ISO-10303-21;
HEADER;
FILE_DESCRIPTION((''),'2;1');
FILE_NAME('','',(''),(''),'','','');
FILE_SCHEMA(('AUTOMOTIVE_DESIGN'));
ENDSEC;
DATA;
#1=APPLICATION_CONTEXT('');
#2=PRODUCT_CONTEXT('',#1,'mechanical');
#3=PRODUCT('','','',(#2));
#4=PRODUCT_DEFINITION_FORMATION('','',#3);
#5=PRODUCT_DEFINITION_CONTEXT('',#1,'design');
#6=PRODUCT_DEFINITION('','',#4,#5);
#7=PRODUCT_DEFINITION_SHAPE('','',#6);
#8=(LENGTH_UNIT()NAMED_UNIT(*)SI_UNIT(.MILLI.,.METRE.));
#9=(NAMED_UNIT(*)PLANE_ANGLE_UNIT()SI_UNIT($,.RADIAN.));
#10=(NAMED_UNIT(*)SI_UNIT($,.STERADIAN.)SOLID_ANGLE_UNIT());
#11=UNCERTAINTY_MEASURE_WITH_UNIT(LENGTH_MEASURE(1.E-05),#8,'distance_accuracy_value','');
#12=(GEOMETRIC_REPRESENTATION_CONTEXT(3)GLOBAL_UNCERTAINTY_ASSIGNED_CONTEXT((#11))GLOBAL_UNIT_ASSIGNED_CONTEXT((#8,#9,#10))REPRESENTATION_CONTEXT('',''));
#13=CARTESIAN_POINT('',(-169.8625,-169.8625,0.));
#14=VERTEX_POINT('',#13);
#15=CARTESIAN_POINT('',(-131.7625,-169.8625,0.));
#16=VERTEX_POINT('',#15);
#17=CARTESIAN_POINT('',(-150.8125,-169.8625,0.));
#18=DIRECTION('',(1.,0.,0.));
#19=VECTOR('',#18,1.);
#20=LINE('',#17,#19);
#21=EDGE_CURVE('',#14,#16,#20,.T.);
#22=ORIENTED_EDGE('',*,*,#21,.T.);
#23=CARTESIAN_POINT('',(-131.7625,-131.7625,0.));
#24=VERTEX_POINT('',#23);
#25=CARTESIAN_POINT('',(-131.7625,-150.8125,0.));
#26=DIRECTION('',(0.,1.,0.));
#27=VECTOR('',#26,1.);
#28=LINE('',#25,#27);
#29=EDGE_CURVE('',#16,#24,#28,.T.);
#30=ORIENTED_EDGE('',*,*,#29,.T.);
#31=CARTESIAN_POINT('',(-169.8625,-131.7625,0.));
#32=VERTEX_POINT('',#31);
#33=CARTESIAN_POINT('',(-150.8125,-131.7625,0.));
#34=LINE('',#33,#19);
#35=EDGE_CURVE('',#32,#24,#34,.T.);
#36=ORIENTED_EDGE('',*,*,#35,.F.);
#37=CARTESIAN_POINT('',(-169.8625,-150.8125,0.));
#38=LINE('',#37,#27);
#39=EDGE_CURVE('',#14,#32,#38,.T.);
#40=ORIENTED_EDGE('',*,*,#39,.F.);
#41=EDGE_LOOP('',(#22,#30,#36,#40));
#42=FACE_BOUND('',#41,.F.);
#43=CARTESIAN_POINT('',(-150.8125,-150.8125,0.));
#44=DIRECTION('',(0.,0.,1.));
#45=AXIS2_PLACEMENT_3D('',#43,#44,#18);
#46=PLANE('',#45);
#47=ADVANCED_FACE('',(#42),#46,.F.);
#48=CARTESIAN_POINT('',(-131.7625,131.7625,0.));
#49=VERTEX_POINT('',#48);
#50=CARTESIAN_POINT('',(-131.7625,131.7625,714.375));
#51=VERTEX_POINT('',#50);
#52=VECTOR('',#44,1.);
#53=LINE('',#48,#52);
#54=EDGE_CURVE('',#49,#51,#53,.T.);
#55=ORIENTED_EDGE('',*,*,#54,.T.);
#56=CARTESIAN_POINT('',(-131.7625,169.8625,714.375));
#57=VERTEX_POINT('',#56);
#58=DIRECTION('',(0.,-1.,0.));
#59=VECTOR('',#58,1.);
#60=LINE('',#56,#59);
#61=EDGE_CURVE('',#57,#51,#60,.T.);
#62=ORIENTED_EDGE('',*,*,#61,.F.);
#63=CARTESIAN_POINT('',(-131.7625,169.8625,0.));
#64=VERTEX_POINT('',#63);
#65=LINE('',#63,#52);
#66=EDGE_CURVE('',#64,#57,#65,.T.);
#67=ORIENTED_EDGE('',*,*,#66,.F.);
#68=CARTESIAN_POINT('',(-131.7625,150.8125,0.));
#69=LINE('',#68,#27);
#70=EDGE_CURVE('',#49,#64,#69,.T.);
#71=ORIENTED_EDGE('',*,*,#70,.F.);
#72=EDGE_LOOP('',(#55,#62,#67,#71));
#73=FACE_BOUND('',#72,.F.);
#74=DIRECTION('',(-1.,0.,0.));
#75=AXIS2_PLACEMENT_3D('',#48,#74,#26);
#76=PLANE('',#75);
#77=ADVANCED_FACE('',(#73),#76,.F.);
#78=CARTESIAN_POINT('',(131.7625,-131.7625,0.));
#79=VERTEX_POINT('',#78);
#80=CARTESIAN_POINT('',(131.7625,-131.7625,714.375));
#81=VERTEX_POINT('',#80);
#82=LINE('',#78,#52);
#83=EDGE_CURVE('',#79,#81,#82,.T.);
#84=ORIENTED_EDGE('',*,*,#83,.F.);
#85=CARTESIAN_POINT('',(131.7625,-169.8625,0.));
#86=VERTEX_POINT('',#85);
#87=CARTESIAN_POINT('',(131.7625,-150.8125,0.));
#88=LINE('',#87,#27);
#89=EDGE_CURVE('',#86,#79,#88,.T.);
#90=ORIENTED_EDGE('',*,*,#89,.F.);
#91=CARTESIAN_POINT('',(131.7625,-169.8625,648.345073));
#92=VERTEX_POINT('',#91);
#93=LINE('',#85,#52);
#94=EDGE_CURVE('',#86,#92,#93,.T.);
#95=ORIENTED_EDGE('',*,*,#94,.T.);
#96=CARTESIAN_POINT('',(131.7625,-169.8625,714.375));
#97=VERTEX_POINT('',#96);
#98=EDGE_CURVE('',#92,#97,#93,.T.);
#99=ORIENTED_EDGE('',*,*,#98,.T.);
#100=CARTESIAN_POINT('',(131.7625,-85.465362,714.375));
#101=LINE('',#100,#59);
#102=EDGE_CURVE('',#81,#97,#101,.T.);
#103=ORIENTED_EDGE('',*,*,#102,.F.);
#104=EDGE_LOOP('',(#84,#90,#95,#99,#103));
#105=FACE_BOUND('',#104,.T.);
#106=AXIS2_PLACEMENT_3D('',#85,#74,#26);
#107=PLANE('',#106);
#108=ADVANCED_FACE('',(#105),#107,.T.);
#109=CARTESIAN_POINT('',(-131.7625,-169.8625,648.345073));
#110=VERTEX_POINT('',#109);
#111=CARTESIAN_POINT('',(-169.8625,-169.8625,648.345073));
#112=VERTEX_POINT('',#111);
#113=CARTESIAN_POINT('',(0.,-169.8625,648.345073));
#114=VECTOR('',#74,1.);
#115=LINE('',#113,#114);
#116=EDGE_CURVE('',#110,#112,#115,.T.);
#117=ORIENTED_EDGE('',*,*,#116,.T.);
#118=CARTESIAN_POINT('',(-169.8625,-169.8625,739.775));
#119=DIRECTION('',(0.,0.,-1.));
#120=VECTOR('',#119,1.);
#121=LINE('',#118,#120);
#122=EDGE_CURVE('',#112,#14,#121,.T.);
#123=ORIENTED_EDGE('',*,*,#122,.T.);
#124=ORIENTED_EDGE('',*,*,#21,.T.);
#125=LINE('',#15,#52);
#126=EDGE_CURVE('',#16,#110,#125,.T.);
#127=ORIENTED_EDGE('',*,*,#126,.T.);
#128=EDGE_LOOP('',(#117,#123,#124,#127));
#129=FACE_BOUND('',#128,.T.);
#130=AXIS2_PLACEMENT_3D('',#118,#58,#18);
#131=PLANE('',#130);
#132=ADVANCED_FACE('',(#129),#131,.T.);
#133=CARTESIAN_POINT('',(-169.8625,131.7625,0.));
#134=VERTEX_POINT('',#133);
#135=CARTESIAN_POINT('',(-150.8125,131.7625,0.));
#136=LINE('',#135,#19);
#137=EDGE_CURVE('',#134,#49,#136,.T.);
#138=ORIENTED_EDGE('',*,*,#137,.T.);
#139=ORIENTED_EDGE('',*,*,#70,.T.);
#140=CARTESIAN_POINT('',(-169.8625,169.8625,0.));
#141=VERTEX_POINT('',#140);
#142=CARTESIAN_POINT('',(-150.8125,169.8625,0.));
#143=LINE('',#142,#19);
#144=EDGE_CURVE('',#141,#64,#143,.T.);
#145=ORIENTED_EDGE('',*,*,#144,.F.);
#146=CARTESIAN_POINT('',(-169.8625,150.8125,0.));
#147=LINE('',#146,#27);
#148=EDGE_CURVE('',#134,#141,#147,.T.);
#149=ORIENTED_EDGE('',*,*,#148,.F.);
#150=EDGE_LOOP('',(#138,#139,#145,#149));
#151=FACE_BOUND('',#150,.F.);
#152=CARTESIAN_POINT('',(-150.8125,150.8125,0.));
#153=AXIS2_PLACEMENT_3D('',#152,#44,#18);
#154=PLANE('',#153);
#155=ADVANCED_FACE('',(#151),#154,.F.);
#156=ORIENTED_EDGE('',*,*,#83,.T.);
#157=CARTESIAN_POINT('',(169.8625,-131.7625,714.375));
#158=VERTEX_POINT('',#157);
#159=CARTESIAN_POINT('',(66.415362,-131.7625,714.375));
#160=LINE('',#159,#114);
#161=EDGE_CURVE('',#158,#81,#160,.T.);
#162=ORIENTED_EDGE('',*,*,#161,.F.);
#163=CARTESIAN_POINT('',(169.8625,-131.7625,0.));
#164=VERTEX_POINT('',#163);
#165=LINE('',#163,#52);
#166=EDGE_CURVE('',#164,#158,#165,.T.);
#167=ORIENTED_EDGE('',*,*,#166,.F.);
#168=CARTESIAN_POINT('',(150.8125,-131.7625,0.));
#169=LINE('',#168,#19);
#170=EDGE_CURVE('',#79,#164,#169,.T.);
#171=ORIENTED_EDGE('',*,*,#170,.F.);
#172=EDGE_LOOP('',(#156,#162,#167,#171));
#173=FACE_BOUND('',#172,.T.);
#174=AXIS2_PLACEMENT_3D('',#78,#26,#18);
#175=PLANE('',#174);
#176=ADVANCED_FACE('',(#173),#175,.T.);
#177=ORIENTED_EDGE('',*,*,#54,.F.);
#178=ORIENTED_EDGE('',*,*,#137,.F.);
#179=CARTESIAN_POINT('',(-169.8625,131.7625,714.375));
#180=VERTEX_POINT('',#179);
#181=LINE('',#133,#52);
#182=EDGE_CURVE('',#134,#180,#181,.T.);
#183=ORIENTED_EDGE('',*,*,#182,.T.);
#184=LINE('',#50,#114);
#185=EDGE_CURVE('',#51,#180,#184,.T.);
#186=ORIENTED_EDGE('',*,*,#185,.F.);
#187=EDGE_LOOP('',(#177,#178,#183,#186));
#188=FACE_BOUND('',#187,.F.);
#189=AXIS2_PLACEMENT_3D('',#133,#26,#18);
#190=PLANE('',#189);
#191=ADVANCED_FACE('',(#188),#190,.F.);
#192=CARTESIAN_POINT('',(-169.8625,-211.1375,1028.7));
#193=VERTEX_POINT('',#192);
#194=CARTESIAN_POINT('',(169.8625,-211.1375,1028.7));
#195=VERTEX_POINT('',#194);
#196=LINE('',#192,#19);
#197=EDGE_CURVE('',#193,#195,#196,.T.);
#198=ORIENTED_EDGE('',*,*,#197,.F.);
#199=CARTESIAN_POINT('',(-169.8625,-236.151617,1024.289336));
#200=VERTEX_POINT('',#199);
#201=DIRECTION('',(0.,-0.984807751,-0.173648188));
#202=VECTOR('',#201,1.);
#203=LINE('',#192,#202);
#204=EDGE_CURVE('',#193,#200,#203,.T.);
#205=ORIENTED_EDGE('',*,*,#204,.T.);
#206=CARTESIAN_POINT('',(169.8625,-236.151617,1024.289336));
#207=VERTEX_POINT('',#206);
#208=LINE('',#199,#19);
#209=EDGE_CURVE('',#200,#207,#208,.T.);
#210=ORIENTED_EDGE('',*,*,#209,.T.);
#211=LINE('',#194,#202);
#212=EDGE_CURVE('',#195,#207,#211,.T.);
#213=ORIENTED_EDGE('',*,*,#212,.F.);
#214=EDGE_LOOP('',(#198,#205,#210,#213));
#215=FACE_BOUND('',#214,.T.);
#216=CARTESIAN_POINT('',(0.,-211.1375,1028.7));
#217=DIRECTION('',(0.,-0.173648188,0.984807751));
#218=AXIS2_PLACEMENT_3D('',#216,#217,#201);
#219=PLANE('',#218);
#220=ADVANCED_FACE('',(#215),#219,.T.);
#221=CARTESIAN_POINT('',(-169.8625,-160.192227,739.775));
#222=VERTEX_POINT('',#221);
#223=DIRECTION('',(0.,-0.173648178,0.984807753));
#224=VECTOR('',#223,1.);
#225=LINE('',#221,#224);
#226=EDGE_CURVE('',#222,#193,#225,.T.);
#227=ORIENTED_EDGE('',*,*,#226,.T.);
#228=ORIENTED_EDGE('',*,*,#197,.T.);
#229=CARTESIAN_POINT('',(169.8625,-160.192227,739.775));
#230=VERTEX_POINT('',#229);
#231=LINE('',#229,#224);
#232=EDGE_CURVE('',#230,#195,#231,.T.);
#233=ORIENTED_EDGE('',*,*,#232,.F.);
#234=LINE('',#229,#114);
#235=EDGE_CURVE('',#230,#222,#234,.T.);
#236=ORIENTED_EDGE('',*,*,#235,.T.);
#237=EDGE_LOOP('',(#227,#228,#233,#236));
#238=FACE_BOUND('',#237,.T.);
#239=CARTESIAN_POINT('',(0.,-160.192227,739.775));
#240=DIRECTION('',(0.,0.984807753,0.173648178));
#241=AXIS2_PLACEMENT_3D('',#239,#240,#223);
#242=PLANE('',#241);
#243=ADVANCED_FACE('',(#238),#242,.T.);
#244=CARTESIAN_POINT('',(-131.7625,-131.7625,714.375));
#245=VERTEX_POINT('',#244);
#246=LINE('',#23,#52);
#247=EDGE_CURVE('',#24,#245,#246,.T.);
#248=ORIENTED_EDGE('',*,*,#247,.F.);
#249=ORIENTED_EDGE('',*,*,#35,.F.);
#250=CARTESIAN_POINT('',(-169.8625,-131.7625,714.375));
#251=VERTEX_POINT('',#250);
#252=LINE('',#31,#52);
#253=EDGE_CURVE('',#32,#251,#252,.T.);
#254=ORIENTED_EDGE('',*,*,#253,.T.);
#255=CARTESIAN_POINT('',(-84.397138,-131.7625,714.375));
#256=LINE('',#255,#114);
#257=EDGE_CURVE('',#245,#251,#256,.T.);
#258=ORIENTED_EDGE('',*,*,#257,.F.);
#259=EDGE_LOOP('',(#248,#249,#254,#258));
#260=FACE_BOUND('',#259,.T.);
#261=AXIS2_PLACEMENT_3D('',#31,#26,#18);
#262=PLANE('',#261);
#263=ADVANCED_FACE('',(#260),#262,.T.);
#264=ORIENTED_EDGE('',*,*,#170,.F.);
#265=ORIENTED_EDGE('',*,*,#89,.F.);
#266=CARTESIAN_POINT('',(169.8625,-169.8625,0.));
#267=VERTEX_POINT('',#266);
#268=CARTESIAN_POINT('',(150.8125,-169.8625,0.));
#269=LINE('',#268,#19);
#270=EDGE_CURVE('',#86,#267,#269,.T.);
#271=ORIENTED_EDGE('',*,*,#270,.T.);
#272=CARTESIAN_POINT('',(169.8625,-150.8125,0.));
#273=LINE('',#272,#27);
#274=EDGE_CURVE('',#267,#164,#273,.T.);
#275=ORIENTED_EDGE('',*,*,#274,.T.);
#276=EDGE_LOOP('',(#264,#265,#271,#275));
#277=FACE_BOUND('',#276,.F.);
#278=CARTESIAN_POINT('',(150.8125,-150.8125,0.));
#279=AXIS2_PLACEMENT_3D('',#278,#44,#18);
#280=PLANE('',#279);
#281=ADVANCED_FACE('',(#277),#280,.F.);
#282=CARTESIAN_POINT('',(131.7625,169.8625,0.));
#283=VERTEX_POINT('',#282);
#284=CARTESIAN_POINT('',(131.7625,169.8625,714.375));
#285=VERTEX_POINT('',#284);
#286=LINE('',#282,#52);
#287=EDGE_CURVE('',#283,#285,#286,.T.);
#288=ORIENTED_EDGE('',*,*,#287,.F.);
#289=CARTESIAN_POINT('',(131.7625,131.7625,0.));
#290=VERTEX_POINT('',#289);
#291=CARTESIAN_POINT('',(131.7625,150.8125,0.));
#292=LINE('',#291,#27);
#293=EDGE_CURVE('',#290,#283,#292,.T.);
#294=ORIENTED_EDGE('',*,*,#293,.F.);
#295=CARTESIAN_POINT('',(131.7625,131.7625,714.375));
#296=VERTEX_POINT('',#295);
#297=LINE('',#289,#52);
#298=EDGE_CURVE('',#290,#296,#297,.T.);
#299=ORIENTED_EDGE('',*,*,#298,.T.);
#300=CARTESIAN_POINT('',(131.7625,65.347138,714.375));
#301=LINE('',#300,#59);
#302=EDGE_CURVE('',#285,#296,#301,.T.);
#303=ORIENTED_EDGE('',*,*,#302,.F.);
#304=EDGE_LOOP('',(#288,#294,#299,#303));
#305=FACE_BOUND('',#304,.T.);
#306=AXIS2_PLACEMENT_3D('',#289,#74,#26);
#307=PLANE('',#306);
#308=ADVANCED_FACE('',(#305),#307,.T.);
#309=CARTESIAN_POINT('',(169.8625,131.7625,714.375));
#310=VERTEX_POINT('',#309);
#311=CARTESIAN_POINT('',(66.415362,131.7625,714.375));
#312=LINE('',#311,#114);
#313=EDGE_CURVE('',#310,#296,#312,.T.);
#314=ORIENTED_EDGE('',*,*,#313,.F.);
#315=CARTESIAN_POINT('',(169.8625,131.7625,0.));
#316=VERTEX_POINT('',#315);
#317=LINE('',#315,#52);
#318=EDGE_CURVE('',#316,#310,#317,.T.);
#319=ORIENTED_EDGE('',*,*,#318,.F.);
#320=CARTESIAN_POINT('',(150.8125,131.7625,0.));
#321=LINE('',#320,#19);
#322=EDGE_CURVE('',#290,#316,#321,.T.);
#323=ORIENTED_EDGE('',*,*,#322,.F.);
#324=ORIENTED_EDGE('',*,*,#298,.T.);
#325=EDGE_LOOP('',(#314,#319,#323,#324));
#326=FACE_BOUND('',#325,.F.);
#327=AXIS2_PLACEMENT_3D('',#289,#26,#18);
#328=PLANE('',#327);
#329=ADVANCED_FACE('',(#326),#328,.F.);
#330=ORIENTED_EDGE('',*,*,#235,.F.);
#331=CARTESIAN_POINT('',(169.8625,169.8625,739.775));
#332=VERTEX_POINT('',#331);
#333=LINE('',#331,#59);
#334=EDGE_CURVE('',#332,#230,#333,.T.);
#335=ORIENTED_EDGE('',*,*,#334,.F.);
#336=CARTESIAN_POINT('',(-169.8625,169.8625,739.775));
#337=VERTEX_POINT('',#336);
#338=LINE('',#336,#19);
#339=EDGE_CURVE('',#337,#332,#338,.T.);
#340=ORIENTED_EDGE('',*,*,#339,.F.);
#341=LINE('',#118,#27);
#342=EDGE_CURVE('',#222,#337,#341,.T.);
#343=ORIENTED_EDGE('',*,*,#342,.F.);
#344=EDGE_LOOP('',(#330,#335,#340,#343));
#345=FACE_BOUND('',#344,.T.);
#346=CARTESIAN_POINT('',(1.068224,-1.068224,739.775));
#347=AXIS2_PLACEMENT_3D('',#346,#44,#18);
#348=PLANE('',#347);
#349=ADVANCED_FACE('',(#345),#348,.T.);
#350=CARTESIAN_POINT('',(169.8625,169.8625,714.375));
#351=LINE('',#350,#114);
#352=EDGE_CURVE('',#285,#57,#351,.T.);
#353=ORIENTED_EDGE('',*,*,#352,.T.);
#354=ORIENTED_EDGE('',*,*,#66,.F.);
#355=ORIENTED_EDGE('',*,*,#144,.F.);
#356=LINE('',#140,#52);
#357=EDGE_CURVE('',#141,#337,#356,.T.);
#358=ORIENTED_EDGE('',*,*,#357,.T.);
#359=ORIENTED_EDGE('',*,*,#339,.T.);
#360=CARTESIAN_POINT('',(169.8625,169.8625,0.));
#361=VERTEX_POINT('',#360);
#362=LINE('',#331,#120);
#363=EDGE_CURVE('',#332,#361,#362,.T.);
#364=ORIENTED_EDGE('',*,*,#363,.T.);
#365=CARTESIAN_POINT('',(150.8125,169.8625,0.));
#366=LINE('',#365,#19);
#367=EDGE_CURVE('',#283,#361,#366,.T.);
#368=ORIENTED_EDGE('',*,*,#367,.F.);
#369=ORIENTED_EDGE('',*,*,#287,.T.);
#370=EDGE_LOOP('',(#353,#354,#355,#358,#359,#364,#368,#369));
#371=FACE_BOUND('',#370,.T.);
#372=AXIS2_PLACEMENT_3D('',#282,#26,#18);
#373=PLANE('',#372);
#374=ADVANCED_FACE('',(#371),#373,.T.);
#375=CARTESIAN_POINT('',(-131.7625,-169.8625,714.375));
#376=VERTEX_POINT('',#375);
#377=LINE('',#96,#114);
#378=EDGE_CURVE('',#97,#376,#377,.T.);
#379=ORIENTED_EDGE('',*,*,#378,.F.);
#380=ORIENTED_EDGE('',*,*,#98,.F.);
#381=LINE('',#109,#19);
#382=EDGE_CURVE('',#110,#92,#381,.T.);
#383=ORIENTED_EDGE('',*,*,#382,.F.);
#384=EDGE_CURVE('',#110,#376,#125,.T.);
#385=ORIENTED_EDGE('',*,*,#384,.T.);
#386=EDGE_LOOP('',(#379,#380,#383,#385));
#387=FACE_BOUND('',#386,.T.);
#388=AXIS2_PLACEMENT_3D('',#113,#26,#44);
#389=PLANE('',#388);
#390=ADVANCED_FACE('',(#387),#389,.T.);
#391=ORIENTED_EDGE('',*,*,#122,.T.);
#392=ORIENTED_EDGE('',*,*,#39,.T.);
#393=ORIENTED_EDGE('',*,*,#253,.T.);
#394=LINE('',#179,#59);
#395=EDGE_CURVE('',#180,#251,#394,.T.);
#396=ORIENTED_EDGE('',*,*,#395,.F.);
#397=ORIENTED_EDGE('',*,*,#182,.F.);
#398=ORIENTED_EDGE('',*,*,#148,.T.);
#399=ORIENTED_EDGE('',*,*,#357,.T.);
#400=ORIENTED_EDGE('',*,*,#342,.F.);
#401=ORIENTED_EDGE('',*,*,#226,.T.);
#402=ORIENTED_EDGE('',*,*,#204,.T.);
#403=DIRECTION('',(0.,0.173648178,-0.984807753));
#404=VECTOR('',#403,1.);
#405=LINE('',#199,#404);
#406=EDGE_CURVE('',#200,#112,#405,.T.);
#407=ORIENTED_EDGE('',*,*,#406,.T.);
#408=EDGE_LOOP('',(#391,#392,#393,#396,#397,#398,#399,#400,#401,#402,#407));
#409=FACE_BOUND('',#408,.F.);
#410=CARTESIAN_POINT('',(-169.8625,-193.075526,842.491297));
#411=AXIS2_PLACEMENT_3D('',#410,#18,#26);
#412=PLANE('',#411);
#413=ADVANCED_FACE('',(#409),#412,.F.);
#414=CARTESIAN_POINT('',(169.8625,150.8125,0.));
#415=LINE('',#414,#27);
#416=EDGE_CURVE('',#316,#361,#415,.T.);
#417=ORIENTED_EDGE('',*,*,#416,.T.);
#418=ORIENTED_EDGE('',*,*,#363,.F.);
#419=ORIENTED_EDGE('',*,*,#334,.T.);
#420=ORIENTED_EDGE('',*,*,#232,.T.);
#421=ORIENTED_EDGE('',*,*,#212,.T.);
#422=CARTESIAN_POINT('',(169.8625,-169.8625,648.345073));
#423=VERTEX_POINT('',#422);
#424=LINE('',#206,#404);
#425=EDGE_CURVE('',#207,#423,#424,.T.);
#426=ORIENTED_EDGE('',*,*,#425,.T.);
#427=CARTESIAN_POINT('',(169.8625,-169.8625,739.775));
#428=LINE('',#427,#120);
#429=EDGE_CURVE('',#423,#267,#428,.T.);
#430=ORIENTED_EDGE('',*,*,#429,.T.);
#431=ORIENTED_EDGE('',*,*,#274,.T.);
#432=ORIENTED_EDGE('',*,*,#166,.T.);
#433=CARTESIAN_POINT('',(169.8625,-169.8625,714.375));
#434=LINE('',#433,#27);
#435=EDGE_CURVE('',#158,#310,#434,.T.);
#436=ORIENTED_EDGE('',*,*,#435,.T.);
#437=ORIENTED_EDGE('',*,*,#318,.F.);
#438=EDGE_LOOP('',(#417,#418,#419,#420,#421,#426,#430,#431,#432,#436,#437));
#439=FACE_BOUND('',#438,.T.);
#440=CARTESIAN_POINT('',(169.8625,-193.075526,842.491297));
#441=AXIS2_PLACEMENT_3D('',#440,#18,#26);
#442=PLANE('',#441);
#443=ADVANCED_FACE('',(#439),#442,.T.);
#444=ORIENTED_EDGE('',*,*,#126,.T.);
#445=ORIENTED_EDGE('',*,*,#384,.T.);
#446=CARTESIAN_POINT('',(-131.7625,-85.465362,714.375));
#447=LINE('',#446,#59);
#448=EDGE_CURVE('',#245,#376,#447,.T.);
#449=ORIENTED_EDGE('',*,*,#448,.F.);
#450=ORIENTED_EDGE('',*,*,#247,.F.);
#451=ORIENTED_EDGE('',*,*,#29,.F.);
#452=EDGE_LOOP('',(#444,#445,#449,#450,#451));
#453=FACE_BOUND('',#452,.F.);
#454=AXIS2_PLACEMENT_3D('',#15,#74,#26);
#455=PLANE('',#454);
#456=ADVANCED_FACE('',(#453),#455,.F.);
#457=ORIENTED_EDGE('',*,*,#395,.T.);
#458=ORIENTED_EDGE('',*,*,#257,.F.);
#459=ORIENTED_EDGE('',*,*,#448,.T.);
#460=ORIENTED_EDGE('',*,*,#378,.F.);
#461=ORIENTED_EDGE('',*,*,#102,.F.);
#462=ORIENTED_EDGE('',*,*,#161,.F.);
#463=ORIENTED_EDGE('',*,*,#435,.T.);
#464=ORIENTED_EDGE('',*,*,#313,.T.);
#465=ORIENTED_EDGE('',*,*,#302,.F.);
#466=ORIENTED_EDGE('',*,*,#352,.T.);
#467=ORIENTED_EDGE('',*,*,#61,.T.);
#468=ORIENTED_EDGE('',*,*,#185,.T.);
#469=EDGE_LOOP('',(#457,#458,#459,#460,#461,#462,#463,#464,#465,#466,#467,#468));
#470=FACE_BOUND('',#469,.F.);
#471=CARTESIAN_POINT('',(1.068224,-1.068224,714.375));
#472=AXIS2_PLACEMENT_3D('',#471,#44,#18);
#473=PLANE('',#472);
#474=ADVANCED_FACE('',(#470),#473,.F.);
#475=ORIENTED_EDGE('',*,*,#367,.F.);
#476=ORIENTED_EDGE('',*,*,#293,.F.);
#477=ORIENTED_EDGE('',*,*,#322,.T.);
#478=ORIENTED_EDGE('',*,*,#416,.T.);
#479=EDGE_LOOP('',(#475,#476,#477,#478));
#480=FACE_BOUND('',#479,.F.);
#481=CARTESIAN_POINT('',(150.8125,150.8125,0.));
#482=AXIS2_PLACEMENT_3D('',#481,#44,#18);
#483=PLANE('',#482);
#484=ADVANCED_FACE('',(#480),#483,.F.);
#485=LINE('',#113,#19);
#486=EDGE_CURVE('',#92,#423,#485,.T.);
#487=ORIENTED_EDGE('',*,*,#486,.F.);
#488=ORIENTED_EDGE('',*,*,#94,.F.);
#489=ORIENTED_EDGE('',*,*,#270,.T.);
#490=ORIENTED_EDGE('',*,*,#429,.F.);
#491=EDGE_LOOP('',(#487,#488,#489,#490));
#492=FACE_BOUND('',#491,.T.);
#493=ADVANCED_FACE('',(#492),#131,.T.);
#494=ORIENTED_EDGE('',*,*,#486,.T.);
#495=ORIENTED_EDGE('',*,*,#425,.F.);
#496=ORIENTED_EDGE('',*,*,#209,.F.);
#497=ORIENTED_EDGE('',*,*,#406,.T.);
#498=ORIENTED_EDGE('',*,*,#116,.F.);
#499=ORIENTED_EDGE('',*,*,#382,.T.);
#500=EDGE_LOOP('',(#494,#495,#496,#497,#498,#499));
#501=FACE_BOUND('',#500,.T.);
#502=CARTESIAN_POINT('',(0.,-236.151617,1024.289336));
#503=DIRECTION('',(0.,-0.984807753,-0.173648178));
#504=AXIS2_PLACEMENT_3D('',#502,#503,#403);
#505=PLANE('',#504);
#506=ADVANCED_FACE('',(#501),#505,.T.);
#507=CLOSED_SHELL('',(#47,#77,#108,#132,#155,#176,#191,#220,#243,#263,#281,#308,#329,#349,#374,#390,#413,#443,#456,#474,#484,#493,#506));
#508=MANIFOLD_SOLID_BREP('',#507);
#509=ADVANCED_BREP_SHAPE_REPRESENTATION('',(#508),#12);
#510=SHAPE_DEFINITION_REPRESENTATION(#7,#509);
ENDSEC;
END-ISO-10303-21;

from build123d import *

# Parameters (mm, degrees)
F0_W          = 38.1
F0_H          = 38.1
F1_DEPTH      = 739.775
F3_DEPTH      = 25.4
F6_DEPTH      = 169.8625
F6_DEPTH_BACK = 169.8625


with BuildPart() as f1:
    # F0 (on Top) → F1 (new body)
    with BuildSketch(Plane.XY):
        with Locations((-150.8125, 150.8125)):
            Rectangle(F0_W, F0_H)
        with Locations((-150.8125, -150.8125)):
            Rectangle(F0_W, F0_H)
        with Locations((150.8125, -150.8125)):
            Rectangle(F0_W, F0_H)
        with Locations((150.8125, 150.8125)):
            Rectangle(F0_W, F0_H)
    extrude(amount=F1_DEPTH)


with BuildPart() as f3:
    # F2 (on face) → F3 (new body)
    with BuildSketch(Plane.XY.offset(739.775)):
        Polygon((169.8625, 169.8625), (-131.7625, 169.8625), (-131.7625, 131.7625), (-169.8625, 131.7625), (-169.8625, -169.8625), (169.8625, -169.8625), align=None)
    extrude(amount=-F3_DEPTH)

    # F4: union F1
    add(f1.part)

    # F5 (on Right) → F6 (join, two sides)
    with BuildSketch(Plane.YZ) as f6_sk:
        Polygon((-169.8625, 739.775), (-160.192227, 739.775), (-211.1375, 1028.7), (-236.151617, 1024.289336), (-169.8625, 648.345073), align=None)
    extrude(amount=F6_DEPTH)
    extrude(f6_sk.sketch, amount=-F6_DEPTH_BACK)


solid = f3.part
